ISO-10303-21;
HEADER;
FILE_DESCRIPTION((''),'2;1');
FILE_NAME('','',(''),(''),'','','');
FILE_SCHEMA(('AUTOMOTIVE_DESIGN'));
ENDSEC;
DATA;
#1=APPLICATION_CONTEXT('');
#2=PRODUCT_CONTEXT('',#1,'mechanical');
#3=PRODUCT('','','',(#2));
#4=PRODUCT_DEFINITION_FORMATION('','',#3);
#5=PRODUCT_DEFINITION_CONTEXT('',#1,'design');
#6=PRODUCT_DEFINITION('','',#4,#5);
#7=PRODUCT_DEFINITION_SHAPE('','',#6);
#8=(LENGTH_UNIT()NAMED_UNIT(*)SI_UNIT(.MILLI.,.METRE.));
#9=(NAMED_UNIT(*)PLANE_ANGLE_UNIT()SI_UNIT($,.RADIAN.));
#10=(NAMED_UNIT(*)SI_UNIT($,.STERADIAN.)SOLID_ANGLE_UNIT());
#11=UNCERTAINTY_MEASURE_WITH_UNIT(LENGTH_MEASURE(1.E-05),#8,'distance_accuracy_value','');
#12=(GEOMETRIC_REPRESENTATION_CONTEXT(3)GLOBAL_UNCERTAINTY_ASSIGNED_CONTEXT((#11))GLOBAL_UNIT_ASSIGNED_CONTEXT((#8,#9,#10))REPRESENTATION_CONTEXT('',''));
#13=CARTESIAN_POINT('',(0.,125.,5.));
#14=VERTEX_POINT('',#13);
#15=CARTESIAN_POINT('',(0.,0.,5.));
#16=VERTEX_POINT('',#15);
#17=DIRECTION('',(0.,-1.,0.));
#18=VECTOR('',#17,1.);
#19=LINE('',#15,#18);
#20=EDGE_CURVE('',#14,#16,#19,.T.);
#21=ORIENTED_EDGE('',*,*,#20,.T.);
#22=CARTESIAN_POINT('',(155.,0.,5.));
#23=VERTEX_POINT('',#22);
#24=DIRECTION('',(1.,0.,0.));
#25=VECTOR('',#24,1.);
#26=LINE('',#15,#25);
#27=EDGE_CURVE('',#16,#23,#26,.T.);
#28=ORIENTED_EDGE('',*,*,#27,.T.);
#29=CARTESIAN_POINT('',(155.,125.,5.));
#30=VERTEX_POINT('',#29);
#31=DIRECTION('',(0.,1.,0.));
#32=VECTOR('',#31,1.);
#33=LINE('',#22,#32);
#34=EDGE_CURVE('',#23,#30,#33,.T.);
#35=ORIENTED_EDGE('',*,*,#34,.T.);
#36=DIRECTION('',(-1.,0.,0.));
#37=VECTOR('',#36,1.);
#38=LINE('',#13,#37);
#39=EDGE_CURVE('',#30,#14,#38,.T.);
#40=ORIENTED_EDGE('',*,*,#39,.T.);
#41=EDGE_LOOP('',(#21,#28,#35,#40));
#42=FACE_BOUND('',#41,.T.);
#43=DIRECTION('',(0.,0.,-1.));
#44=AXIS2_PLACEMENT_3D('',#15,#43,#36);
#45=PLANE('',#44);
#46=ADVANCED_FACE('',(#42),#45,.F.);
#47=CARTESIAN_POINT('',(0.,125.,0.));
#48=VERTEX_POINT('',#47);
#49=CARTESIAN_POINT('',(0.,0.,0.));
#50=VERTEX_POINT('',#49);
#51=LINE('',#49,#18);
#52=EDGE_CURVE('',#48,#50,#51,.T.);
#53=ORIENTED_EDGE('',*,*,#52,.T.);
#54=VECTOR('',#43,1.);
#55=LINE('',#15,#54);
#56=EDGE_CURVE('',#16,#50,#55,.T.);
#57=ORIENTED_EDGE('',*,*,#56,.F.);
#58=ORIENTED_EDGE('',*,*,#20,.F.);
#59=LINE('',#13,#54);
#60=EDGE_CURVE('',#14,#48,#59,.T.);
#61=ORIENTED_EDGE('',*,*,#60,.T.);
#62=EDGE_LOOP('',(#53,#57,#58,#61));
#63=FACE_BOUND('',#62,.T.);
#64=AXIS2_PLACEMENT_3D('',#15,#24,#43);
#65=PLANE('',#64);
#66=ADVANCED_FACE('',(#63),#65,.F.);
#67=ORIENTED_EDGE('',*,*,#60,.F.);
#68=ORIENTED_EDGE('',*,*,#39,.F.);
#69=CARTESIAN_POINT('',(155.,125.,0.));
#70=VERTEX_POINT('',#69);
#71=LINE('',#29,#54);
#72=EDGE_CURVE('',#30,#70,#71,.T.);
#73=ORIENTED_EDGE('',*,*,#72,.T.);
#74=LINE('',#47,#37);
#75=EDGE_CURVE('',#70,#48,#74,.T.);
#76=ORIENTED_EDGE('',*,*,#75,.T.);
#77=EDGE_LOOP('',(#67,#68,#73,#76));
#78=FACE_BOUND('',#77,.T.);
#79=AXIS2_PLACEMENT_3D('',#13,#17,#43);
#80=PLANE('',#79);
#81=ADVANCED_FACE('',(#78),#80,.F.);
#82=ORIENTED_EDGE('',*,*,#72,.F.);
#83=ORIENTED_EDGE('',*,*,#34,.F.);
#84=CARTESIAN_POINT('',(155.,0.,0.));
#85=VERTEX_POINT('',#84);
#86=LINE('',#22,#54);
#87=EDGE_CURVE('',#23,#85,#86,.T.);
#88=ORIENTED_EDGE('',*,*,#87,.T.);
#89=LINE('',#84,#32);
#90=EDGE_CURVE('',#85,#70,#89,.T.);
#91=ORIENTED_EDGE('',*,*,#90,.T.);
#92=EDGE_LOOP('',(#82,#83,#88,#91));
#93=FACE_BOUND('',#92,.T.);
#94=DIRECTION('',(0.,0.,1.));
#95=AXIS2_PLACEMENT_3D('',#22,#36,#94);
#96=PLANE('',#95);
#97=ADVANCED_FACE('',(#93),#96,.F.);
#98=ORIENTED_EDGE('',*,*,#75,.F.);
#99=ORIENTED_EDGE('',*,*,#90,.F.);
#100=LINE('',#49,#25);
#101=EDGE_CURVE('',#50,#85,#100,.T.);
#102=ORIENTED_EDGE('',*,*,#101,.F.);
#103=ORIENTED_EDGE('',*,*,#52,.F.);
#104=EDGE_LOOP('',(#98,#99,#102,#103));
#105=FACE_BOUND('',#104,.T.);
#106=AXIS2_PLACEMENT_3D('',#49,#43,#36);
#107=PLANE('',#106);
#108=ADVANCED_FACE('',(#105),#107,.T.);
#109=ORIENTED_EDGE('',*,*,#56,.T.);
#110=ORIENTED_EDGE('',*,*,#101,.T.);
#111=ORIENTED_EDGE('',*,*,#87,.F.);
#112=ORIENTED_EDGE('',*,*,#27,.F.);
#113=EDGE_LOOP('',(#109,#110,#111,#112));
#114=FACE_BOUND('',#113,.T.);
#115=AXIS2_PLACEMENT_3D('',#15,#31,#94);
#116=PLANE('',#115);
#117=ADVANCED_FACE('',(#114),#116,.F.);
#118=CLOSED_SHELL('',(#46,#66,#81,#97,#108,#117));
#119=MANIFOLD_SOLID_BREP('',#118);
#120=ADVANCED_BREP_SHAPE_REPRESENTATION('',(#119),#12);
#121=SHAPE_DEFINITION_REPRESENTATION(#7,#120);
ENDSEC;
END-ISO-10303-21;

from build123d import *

# Parameters (mm, degrees)
SKETCH_1_W      = 155
SKETCH_1_H      = 125
EXTRUDE_1_DEPTH = 5


with BuildPart() as part:
    # 草图1 → 凸台-拉伸1 (new body)
    with BuildSketch(Plane.XY):
        with Locations((77.5, 62.5)):
            Rectangle(SKETCH_1_W, SKETCH_1_H)
    extrude(amount=EXTRUDE_1_DEPTH)


solid = part.part
